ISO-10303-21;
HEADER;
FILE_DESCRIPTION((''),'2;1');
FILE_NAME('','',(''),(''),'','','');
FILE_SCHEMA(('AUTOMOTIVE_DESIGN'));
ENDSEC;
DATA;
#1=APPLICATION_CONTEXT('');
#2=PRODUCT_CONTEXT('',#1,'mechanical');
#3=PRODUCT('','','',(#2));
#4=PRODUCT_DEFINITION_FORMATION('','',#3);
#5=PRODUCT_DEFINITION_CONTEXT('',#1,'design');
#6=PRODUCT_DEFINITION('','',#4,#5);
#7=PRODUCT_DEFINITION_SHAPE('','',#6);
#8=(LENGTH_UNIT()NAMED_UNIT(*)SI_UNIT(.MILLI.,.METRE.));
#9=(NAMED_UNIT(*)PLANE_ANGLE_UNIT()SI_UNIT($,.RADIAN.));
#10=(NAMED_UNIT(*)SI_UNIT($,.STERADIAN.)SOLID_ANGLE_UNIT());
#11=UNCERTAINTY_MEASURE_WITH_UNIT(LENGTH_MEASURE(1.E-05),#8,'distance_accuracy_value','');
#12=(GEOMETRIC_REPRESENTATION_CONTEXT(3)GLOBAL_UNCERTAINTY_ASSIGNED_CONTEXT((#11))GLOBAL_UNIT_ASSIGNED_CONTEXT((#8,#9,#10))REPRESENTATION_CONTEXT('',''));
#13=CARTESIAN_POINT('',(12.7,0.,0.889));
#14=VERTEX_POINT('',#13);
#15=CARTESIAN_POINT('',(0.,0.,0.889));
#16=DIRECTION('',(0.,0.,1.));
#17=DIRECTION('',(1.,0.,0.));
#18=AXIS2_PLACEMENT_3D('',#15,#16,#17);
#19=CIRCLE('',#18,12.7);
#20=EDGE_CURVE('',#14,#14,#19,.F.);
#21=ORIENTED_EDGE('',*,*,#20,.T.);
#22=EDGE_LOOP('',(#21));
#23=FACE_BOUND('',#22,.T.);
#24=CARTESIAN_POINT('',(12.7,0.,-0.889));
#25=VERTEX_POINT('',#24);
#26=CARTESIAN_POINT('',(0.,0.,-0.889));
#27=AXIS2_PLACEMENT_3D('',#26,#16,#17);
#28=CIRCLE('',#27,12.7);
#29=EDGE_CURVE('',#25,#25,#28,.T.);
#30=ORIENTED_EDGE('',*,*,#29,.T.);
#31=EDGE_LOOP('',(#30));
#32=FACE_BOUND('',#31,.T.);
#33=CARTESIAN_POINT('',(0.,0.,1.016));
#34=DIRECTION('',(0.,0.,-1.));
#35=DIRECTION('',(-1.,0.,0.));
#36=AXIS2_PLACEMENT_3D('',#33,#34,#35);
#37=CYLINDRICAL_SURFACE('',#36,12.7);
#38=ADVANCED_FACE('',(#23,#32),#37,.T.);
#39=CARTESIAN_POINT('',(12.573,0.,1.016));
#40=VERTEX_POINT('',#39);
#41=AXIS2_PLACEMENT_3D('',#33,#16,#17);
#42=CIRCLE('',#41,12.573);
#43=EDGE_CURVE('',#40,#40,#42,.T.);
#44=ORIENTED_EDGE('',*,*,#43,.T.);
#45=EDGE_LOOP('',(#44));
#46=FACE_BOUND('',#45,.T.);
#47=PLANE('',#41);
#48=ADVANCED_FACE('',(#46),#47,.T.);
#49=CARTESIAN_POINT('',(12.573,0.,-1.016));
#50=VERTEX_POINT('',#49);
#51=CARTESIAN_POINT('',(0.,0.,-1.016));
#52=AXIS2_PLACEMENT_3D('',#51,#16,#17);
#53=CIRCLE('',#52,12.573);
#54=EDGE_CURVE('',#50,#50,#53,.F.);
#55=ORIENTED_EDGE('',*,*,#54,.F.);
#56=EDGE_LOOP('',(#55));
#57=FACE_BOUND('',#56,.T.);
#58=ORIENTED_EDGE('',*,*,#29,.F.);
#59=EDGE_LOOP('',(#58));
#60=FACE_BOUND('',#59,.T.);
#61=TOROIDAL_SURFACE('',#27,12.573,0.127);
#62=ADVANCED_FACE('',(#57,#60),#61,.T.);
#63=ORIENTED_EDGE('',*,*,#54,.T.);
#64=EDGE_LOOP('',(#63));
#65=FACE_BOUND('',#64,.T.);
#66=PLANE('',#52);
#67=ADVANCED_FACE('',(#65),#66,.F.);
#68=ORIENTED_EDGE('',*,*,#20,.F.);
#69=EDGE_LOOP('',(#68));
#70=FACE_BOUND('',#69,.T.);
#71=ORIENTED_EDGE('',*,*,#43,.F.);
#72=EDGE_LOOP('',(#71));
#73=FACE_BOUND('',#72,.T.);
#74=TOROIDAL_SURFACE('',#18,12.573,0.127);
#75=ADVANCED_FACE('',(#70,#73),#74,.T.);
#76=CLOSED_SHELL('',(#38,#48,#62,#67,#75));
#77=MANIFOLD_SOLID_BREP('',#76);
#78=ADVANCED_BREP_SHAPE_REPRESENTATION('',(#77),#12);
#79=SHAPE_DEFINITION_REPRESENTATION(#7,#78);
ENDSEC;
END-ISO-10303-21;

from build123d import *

# Parameters (mm, degrees)
BOSS_EXTRUDE1_DEPTH      = 1.016
BOSS_EXTRUDE1_DEPTH_BACK = 1.016
SKETCH3_R                = 12.7
FILLET1_R                = 0.127


with BuildPart() as part:
    # Sketch3 → Boss-Extrude1 (new, two sides: drawn at the far end of the back side and taken through both)
    with BuildSketch(Plane.XY.offset(-BOSS_EXTRUDE1_DEPTH_BACK)):
        Circle(SKETCH3_R)
    extrude(amount=BOSS_EXTRUDE1_DEPTH + BOSS_EXTRUDE1_DEPTH_BACK)

    # Fillet1
    fillet1_edges = [part.edges().sort_by_distance(p)[0] for p in [
        (-12.7, 0, -1.016),
        (-12.7, 0, 1.016),
    ]]
    fillet(fillet1_edges, radius=FILLET1_R)


solid = part.part
